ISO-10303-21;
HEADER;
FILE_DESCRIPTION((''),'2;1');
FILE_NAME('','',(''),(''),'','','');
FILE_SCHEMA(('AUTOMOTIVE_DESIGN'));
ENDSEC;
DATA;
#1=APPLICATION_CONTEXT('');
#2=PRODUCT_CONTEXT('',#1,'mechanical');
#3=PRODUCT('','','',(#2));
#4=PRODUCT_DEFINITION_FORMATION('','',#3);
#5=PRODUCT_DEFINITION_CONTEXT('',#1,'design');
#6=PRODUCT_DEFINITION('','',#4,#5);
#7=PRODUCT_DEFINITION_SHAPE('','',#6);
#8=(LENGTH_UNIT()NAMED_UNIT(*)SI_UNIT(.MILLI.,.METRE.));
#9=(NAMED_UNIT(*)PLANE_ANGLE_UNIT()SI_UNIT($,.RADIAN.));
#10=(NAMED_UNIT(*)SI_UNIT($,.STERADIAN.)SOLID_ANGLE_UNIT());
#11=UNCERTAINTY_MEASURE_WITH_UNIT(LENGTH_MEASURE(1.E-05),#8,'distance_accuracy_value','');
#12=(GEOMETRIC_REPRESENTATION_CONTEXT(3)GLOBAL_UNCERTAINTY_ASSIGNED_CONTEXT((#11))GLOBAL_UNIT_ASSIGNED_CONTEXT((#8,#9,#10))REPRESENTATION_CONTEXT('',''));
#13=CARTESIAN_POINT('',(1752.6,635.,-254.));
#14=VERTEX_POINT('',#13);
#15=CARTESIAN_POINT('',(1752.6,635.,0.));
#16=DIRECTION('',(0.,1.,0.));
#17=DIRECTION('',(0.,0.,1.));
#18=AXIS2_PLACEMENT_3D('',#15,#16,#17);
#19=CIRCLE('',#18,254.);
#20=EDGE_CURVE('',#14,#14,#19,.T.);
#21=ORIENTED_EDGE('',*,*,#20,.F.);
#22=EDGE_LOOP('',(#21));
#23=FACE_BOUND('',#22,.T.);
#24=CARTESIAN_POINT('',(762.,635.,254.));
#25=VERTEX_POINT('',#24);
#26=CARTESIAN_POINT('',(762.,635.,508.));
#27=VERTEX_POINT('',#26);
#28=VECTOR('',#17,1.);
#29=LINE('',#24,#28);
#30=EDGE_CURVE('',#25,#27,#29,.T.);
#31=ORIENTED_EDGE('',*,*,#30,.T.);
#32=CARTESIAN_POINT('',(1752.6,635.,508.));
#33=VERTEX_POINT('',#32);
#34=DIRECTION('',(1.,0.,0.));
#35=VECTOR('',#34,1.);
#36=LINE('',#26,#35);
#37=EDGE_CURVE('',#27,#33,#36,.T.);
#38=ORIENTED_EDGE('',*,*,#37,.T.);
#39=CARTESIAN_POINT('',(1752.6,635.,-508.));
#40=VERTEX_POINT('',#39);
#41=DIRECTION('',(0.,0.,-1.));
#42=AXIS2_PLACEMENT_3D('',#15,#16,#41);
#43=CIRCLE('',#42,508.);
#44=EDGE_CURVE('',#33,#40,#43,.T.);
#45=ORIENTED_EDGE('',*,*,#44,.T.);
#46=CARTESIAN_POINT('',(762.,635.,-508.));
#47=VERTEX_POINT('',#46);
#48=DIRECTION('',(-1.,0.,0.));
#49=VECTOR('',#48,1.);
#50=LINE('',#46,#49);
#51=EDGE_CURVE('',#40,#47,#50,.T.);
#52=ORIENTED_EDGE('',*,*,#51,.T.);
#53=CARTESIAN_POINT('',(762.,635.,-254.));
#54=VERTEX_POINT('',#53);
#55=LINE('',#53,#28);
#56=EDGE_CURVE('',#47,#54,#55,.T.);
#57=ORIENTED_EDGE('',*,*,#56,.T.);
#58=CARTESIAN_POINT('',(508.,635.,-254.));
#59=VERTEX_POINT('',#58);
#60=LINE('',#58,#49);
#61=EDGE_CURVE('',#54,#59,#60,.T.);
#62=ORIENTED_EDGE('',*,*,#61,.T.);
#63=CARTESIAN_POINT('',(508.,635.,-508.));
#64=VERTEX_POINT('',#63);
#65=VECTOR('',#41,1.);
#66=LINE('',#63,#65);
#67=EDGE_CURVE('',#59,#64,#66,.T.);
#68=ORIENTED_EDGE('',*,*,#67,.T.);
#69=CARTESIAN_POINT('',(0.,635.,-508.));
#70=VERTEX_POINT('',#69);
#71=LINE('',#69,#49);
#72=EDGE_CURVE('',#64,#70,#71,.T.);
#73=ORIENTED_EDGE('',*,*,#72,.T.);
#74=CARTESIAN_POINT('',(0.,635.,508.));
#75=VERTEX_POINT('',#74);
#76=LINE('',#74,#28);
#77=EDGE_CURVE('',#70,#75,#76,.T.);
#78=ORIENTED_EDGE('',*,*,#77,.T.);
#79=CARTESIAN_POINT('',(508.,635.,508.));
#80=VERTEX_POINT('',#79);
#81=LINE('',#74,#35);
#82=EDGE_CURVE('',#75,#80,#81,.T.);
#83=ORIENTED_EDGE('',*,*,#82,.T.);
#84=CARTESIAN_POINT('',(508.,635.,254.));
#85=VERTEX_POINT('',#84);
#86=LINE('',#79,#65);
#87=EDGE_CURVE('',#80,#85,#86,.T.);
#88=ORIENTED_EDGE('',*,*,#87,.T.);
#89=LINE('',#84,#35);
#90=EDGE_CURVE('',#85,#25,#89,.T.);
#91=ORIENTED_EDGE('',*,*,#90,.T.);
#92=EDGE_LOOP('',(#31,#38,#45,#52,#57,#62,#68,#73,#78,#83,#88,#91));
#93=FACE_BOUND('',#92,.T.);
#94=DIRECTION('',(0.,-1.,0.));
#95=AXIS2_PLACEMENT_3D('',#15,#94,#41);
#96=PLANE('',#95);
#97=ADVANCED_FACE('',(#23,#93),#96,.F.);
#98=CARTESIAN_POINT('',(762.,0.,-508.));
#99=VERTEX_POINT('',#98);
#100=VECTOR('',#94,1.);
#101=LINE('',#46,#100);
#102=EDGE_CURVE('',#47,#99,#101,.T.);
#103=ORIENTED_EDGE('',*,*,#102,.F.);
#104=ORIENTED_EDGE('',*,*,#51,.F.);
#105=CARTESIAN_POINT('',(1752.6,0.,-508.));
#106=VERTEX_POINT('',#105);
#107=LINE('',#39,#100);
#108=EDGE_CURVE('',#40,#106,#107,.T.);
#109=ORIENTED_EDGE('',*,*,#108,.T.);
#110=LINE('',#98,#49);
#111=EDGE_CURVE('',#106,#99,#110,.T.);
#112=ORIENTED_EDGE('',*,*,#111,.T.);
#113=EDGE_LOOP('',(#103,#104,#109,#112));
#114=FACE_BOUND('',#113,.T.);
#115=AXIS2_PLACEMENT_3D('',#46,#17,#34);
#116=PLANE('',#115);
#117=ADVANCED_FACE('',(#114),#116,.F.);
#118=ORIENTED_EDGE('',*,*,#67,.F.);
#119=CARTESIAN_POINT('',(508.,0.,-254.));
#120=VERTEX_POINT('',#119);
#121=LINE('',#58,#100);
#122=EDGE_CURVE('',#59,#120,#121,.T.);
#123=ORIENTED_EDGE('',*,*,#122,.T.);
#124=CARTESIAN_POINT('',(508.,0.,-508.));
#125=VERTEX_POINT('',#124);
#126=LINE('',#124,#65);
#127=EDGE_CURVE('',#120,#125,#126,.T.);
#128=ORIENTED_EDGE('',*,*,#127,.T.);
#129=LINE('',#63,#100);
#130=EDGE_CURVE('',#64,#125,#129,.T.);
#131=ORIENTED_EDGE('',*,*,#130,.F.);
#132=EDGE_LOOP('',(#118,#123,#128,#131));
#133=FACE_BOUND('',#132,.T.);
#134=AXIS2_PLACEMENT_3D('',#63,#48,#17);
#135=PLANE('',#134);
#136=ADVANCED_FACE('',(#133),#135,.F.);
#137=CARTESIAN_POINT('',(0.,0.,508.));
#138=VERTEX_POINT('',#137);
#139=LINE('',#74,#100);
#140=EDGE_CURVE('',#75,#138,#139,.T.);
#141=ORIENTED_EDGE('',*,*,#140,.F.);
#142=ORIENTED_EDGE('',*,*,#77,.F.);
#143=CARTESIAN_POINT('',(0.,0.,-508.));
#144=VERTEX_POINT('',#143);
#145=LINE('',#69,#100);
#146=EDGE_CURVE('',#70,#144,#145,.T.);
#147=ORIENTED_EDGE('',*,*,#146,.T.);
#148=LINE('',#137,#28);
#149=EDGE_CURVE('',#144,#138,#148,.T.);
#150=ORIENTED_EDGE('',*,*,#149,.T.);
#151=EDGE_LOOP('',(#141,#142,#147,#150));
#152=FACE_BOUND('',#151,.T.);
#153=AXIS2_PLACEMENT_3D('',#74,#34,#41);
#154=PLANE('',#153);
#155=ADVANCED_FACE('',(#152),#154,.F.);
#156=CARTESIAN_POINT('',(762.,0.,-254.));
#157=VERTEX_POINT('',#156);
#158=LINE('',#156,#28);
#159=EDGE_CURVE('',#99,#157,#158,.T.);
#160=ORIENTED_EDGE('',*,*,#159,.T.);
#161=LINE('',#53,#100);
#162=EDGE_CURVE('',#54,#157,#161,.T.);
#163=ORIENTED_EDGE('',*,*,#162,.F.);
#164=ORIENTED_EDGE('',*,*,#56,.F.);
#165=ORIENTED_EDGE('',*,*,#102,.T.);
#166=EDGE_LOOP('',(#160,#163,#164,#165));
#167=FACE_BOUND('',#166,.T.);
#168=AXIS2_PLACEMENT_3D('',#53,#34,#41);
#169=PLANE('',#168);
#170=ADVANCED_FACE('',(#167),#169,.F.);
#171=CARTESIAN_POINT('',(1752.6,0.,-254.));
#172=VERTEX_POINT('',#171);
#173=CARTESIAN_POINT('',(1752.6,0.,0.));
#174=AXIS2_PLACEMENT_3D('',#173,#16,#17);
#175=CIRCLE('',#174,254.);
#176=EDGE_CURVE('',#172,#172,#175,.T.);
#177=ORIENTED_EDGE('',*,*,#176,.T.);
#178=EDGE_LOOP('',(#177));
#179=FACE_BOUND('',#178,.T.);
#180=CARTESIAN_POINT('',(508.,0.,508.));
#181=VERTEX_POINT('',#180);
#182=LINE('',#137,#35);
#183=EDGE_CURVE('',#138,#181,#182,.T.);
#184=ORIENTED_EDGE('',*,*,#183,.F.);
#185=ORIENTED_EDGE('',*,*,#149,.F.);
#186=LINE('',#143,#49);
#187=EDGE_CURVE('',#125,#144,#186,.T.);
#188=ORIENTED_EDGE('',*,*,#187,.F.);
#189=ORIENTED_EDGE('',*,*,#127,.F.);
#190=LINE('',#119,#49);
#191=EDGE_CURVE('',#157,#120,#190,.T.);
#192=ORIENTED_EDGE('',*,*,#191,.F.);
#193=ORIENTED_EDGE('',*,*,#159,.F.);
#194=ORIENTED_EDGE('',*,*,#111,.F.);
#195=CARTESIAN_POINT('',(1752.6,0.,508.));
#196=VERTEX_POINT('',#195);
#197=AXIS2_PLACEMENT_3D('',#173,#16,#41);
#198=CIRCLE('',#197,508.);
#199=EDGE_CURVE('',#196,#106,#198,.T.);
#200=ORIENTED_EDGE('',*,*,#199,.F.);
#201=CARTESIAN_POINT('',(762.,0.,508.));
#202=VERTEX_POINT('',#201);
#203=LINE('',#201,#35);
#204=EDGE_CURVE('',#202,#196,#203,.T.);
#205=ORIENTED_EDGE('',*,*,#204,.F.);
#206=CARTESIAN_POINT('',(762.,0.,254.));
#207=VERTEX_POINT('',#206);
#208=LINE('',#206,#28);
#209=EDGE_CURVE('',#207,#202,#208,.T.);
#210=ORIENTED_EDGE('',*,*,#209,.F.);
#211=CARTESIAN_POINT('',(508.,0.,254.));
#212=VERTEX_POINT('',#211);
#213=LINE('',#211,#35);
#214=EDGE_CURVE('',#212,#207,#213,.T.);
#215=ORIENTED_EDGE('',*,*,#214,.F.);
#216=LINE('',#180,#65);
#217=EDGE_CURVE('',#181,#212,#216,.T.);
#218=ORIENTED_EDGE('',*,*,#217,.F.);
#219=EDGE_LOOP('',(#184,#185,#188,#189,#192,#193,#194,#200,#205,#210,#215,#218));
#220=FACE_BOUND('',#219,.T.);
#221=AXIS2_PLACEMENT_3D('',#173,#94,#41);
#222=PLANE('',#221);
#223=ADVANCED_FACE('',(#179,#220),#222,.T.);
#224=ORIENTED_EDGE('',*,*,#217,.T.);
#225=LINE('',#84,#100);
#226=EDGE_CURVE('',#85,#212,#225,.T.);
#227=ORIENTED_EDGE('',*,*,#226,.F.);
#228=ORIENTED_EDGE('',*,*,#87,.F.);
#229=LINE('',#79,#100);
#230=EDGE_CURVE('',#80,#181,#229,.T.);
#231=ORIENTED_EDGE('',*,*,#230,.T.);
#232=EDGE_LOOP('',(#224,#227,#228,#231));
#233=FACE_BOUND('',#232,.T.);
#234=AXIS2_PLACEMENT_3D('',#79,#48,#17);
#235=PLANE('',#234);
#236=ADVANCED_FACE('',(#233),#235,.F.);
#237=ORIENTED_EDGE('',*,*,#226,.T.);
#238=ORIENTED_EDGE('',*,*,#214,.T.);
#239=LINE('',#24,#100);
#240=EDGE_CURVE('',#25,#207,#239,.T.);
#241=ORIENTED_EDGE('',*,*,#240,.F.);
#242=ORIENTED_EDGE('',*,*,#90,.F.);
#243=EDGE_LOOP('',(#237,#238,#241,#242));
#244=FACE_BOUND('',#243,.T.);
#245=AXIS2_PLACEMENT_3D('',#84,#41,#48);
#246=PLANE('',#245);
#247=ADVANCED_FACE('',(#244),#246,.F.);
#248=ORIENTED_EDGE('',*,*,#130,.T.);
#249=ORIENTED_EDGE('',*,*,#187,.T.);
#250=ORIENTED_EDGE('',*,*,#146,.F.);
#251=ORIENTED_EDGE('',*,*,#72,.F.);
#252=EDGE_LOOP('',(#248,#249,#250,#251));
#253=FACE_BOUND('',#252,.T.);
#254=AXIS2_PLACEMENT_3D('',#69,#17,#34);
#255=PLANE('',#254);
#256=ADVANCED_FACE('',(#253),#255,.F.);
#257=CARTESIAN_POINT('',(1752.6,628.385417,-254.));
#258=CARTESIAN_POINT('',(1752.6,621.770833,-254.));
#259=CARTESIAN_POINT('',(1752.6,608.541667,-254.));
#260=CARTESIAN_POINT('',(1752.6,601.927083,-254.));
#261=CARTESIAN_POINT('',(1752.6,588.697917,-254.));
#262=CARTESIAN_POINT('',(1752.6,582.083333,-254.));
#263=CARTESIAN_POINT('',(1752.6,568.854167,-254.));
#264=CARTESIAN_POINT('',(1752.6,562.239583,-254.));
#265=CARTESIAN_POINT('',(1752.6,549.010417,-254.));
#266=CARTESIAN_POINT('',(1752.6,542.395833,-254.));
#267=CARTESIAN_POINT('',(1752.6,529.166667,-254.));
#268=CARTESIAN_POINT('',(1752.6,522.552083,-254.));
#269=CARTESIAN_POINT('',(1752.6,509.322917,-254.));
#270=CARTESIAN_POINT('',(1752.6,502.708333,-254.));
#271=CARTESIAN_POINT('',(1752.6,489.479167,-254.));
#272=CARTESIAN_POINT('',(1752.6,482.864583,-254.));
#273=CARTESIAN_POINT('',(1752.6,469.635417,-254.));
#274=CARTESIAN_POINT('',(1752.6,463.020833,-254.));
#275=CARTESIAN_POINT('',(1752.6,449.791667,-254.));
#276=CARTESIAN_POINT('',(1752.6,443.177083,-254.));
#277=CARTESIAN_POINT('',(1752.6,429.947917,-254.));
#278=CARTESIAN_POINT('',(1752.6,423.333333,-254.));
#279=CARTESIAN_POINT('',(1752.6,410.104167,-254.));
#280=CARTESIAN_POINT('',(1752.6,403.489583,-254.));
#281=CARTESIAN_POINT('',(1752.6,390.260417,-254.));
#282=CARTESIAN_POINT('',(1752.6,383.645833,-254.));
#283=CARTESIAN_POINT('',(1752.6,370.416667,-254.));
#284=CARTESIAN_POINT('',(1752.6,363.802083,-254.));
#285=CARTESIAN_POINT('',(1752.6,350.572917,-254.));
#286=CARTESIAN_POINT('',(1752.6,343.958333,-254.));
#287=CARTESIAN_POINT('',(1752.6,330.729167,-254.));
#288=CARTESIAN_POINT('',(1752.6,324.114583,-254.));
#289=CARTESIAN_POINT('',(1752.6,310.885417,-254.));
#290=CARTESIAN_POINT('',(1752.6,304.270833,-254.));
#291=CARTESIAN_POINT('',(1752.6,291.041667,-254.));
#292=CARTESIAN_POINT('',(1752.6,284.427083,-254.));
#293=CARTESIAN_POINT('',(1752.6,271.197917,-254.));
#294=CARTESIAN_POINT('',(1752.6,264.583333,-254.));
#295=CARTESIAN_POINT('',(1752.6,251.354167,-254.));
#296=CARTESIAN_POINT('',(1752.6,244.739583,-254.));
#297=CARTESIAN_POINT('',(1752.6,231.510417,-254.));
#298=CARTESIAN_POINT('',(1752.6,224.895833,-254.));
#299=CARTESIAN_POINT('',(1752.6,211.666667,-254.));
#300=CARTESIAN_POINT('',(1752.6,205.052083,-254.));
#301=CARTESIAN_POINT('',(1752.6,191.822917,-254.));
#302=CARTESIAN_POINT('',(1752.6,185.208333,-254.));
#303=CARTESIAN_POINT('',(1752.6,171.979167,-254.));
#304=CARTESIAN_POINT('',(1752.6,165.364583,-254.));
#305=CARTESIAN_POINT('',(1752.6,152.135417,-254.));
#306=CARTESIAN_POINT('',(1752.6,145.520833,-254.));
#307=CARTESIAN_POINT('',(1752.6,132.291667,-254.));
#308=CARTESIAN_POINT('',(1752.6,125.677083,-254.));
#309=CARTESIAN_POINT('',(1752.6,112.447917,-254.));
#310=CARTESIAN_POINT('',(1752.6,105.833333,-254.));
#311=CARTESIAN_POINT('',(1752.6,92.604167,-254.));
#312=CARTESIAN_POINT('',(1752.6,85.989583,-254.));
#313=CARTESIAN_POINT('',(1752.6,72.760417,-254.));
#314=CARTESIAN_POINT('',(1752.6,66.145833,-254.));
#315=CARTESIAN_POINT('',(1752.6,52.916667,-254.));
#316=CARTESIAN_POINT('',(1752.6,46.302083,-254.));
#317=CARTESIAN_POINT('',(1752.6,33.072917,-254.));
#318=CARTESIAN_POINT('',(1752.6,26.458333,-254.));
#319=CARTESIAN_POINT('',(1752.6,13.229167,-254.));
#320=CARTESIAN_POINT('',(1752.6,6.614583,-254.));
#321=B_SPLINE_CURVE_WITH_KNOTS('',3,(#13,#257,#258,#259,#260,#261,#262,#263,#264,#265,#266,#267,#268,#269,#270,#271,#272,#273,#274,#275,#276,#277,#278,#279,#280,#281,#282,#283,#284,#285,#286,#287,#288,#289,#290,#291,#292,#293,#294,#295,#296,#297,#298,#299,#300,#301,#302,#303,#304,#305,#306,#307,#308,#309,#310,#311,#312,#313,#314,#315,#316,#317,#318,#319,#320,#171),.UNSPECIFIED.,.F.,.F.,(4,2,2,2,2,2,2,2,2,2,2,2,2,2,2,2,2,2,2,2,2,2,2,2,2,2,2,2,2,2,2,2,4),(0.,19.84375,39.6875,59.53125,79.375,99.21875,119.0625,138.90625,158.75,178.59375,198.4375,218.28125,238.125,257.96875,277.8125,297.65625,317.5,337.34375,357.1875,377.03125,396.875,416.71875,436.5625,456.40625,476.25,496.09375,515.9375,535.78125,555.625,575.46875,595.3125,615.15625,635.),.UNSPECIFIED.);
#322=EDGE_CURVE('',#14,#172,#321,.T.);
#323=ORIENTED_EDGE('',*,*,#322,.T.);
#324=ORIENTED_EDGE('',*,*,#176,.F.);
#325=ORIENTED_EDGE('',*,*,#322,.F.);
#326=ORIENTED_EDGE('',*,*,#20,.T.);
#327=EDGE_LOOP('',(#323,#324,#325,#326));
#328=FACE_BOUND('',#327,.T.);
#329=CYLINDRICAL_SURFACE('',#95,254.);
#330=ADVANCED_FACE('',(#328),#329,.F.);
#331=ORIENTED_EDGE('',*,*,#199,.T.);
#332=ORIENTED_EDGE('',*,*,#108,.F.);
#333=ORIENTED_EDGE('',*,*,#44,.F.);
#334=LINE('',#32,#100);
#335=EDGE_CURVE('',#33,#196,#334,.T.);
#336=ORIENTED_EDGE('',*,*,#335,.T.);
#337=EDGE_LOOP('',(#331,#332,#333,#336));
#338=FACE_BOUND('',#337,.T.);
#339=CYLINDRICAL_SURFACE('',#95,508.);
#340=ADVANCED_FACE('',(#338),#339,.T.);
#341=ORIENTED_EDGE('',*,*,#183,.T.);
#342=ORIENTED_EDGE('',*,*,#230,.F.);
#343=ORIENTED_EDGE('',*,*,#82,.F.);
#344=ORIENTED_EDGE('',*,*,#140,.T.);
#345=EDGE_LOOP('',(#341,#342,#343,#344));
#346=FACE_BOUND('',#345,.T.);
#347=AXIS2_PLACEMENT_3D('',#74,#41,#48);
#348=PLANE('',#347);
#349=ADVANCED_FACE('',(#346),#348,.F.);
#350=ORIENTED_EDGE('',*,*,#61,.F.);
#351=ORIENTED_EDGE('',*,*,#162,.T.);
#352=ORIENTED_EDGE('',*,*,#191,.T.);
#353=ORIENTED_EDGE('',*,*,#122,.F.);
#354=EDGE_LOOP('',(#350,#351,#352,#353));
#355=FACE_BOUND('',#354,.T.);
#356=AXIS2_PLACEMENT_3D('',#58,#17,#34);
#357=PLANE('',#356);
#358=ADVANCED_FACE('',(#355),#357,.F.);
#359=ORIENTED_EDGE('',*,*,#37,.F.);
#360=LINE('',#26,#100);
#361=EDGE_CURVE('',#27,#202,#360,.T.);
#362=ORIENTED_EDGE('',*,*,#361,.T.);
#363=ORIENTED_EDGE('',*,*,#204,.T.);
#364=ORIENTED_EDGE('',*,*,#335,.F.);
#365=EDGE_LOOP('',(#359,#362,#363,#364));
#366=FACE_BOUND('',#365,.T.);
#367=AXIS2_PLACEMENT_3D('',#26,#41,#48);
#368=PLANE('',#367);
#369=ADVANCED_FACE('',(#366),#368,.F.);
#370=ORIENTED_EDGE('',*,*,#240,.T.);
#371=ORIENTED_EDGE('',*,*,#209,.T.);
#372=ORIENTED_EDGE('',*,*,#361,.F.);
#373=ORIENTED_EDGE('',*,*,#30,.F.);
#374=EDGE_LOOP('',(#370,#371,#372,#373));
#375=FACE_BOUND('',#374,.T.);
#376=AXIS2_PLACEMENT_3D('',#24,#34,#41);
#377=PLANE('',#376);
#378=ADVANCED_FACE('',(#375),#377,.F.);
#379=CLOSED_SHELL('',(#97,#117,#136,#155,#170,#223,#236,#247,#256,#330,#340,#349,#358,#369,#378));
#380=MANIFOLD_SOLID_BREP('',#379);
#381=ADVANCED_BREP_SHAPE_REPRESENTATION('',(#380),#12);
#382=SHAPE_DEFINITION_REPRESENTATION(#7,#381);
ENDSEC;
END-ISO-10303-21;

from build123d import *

# Parameters (mm, degrees)
SKETCH1_R           = 254
BOSS_EXTRUDE1_DEPTH = 635


with BuildPart() as part:
    # Sketch1 → Boss-Extrude1 (new body)
    with BuildSketch(Plane(origin=(0, 0, 0), x_dir=(1, 0, 0), z_dir=(0, 1, 0))):
        with BuildLine():
            Line((0, -508), (0, 508))
            Line((0, 508), (508, 508))
            Line((508, 508), (508, 254))
            Line((508, 254), (762, 254))
            Line((762, 254), (762, 508))
            Line((762, 508), (1752.6, 508))
            ThreePointArc((1752.6, 508), (2260.6, 0), (1752.6, -508))
            Line((1752.6, -508), (762, -508))
            Line((762, -508), (762, -254))
            Line((762, -254), (508, -254))
            Line((508, -254), (508, -508))
            Line((508, -508), (0, -508))
        make_face()
        with Locations(Location((1752.6, 0, 0), (0, 0, 90))):
            Circle(SKETCH1_R, mode=Mode.SUBTRACT)
    extrude(amount=BOSS_EXTRUDE1_DEPTH)


solid = part.part
